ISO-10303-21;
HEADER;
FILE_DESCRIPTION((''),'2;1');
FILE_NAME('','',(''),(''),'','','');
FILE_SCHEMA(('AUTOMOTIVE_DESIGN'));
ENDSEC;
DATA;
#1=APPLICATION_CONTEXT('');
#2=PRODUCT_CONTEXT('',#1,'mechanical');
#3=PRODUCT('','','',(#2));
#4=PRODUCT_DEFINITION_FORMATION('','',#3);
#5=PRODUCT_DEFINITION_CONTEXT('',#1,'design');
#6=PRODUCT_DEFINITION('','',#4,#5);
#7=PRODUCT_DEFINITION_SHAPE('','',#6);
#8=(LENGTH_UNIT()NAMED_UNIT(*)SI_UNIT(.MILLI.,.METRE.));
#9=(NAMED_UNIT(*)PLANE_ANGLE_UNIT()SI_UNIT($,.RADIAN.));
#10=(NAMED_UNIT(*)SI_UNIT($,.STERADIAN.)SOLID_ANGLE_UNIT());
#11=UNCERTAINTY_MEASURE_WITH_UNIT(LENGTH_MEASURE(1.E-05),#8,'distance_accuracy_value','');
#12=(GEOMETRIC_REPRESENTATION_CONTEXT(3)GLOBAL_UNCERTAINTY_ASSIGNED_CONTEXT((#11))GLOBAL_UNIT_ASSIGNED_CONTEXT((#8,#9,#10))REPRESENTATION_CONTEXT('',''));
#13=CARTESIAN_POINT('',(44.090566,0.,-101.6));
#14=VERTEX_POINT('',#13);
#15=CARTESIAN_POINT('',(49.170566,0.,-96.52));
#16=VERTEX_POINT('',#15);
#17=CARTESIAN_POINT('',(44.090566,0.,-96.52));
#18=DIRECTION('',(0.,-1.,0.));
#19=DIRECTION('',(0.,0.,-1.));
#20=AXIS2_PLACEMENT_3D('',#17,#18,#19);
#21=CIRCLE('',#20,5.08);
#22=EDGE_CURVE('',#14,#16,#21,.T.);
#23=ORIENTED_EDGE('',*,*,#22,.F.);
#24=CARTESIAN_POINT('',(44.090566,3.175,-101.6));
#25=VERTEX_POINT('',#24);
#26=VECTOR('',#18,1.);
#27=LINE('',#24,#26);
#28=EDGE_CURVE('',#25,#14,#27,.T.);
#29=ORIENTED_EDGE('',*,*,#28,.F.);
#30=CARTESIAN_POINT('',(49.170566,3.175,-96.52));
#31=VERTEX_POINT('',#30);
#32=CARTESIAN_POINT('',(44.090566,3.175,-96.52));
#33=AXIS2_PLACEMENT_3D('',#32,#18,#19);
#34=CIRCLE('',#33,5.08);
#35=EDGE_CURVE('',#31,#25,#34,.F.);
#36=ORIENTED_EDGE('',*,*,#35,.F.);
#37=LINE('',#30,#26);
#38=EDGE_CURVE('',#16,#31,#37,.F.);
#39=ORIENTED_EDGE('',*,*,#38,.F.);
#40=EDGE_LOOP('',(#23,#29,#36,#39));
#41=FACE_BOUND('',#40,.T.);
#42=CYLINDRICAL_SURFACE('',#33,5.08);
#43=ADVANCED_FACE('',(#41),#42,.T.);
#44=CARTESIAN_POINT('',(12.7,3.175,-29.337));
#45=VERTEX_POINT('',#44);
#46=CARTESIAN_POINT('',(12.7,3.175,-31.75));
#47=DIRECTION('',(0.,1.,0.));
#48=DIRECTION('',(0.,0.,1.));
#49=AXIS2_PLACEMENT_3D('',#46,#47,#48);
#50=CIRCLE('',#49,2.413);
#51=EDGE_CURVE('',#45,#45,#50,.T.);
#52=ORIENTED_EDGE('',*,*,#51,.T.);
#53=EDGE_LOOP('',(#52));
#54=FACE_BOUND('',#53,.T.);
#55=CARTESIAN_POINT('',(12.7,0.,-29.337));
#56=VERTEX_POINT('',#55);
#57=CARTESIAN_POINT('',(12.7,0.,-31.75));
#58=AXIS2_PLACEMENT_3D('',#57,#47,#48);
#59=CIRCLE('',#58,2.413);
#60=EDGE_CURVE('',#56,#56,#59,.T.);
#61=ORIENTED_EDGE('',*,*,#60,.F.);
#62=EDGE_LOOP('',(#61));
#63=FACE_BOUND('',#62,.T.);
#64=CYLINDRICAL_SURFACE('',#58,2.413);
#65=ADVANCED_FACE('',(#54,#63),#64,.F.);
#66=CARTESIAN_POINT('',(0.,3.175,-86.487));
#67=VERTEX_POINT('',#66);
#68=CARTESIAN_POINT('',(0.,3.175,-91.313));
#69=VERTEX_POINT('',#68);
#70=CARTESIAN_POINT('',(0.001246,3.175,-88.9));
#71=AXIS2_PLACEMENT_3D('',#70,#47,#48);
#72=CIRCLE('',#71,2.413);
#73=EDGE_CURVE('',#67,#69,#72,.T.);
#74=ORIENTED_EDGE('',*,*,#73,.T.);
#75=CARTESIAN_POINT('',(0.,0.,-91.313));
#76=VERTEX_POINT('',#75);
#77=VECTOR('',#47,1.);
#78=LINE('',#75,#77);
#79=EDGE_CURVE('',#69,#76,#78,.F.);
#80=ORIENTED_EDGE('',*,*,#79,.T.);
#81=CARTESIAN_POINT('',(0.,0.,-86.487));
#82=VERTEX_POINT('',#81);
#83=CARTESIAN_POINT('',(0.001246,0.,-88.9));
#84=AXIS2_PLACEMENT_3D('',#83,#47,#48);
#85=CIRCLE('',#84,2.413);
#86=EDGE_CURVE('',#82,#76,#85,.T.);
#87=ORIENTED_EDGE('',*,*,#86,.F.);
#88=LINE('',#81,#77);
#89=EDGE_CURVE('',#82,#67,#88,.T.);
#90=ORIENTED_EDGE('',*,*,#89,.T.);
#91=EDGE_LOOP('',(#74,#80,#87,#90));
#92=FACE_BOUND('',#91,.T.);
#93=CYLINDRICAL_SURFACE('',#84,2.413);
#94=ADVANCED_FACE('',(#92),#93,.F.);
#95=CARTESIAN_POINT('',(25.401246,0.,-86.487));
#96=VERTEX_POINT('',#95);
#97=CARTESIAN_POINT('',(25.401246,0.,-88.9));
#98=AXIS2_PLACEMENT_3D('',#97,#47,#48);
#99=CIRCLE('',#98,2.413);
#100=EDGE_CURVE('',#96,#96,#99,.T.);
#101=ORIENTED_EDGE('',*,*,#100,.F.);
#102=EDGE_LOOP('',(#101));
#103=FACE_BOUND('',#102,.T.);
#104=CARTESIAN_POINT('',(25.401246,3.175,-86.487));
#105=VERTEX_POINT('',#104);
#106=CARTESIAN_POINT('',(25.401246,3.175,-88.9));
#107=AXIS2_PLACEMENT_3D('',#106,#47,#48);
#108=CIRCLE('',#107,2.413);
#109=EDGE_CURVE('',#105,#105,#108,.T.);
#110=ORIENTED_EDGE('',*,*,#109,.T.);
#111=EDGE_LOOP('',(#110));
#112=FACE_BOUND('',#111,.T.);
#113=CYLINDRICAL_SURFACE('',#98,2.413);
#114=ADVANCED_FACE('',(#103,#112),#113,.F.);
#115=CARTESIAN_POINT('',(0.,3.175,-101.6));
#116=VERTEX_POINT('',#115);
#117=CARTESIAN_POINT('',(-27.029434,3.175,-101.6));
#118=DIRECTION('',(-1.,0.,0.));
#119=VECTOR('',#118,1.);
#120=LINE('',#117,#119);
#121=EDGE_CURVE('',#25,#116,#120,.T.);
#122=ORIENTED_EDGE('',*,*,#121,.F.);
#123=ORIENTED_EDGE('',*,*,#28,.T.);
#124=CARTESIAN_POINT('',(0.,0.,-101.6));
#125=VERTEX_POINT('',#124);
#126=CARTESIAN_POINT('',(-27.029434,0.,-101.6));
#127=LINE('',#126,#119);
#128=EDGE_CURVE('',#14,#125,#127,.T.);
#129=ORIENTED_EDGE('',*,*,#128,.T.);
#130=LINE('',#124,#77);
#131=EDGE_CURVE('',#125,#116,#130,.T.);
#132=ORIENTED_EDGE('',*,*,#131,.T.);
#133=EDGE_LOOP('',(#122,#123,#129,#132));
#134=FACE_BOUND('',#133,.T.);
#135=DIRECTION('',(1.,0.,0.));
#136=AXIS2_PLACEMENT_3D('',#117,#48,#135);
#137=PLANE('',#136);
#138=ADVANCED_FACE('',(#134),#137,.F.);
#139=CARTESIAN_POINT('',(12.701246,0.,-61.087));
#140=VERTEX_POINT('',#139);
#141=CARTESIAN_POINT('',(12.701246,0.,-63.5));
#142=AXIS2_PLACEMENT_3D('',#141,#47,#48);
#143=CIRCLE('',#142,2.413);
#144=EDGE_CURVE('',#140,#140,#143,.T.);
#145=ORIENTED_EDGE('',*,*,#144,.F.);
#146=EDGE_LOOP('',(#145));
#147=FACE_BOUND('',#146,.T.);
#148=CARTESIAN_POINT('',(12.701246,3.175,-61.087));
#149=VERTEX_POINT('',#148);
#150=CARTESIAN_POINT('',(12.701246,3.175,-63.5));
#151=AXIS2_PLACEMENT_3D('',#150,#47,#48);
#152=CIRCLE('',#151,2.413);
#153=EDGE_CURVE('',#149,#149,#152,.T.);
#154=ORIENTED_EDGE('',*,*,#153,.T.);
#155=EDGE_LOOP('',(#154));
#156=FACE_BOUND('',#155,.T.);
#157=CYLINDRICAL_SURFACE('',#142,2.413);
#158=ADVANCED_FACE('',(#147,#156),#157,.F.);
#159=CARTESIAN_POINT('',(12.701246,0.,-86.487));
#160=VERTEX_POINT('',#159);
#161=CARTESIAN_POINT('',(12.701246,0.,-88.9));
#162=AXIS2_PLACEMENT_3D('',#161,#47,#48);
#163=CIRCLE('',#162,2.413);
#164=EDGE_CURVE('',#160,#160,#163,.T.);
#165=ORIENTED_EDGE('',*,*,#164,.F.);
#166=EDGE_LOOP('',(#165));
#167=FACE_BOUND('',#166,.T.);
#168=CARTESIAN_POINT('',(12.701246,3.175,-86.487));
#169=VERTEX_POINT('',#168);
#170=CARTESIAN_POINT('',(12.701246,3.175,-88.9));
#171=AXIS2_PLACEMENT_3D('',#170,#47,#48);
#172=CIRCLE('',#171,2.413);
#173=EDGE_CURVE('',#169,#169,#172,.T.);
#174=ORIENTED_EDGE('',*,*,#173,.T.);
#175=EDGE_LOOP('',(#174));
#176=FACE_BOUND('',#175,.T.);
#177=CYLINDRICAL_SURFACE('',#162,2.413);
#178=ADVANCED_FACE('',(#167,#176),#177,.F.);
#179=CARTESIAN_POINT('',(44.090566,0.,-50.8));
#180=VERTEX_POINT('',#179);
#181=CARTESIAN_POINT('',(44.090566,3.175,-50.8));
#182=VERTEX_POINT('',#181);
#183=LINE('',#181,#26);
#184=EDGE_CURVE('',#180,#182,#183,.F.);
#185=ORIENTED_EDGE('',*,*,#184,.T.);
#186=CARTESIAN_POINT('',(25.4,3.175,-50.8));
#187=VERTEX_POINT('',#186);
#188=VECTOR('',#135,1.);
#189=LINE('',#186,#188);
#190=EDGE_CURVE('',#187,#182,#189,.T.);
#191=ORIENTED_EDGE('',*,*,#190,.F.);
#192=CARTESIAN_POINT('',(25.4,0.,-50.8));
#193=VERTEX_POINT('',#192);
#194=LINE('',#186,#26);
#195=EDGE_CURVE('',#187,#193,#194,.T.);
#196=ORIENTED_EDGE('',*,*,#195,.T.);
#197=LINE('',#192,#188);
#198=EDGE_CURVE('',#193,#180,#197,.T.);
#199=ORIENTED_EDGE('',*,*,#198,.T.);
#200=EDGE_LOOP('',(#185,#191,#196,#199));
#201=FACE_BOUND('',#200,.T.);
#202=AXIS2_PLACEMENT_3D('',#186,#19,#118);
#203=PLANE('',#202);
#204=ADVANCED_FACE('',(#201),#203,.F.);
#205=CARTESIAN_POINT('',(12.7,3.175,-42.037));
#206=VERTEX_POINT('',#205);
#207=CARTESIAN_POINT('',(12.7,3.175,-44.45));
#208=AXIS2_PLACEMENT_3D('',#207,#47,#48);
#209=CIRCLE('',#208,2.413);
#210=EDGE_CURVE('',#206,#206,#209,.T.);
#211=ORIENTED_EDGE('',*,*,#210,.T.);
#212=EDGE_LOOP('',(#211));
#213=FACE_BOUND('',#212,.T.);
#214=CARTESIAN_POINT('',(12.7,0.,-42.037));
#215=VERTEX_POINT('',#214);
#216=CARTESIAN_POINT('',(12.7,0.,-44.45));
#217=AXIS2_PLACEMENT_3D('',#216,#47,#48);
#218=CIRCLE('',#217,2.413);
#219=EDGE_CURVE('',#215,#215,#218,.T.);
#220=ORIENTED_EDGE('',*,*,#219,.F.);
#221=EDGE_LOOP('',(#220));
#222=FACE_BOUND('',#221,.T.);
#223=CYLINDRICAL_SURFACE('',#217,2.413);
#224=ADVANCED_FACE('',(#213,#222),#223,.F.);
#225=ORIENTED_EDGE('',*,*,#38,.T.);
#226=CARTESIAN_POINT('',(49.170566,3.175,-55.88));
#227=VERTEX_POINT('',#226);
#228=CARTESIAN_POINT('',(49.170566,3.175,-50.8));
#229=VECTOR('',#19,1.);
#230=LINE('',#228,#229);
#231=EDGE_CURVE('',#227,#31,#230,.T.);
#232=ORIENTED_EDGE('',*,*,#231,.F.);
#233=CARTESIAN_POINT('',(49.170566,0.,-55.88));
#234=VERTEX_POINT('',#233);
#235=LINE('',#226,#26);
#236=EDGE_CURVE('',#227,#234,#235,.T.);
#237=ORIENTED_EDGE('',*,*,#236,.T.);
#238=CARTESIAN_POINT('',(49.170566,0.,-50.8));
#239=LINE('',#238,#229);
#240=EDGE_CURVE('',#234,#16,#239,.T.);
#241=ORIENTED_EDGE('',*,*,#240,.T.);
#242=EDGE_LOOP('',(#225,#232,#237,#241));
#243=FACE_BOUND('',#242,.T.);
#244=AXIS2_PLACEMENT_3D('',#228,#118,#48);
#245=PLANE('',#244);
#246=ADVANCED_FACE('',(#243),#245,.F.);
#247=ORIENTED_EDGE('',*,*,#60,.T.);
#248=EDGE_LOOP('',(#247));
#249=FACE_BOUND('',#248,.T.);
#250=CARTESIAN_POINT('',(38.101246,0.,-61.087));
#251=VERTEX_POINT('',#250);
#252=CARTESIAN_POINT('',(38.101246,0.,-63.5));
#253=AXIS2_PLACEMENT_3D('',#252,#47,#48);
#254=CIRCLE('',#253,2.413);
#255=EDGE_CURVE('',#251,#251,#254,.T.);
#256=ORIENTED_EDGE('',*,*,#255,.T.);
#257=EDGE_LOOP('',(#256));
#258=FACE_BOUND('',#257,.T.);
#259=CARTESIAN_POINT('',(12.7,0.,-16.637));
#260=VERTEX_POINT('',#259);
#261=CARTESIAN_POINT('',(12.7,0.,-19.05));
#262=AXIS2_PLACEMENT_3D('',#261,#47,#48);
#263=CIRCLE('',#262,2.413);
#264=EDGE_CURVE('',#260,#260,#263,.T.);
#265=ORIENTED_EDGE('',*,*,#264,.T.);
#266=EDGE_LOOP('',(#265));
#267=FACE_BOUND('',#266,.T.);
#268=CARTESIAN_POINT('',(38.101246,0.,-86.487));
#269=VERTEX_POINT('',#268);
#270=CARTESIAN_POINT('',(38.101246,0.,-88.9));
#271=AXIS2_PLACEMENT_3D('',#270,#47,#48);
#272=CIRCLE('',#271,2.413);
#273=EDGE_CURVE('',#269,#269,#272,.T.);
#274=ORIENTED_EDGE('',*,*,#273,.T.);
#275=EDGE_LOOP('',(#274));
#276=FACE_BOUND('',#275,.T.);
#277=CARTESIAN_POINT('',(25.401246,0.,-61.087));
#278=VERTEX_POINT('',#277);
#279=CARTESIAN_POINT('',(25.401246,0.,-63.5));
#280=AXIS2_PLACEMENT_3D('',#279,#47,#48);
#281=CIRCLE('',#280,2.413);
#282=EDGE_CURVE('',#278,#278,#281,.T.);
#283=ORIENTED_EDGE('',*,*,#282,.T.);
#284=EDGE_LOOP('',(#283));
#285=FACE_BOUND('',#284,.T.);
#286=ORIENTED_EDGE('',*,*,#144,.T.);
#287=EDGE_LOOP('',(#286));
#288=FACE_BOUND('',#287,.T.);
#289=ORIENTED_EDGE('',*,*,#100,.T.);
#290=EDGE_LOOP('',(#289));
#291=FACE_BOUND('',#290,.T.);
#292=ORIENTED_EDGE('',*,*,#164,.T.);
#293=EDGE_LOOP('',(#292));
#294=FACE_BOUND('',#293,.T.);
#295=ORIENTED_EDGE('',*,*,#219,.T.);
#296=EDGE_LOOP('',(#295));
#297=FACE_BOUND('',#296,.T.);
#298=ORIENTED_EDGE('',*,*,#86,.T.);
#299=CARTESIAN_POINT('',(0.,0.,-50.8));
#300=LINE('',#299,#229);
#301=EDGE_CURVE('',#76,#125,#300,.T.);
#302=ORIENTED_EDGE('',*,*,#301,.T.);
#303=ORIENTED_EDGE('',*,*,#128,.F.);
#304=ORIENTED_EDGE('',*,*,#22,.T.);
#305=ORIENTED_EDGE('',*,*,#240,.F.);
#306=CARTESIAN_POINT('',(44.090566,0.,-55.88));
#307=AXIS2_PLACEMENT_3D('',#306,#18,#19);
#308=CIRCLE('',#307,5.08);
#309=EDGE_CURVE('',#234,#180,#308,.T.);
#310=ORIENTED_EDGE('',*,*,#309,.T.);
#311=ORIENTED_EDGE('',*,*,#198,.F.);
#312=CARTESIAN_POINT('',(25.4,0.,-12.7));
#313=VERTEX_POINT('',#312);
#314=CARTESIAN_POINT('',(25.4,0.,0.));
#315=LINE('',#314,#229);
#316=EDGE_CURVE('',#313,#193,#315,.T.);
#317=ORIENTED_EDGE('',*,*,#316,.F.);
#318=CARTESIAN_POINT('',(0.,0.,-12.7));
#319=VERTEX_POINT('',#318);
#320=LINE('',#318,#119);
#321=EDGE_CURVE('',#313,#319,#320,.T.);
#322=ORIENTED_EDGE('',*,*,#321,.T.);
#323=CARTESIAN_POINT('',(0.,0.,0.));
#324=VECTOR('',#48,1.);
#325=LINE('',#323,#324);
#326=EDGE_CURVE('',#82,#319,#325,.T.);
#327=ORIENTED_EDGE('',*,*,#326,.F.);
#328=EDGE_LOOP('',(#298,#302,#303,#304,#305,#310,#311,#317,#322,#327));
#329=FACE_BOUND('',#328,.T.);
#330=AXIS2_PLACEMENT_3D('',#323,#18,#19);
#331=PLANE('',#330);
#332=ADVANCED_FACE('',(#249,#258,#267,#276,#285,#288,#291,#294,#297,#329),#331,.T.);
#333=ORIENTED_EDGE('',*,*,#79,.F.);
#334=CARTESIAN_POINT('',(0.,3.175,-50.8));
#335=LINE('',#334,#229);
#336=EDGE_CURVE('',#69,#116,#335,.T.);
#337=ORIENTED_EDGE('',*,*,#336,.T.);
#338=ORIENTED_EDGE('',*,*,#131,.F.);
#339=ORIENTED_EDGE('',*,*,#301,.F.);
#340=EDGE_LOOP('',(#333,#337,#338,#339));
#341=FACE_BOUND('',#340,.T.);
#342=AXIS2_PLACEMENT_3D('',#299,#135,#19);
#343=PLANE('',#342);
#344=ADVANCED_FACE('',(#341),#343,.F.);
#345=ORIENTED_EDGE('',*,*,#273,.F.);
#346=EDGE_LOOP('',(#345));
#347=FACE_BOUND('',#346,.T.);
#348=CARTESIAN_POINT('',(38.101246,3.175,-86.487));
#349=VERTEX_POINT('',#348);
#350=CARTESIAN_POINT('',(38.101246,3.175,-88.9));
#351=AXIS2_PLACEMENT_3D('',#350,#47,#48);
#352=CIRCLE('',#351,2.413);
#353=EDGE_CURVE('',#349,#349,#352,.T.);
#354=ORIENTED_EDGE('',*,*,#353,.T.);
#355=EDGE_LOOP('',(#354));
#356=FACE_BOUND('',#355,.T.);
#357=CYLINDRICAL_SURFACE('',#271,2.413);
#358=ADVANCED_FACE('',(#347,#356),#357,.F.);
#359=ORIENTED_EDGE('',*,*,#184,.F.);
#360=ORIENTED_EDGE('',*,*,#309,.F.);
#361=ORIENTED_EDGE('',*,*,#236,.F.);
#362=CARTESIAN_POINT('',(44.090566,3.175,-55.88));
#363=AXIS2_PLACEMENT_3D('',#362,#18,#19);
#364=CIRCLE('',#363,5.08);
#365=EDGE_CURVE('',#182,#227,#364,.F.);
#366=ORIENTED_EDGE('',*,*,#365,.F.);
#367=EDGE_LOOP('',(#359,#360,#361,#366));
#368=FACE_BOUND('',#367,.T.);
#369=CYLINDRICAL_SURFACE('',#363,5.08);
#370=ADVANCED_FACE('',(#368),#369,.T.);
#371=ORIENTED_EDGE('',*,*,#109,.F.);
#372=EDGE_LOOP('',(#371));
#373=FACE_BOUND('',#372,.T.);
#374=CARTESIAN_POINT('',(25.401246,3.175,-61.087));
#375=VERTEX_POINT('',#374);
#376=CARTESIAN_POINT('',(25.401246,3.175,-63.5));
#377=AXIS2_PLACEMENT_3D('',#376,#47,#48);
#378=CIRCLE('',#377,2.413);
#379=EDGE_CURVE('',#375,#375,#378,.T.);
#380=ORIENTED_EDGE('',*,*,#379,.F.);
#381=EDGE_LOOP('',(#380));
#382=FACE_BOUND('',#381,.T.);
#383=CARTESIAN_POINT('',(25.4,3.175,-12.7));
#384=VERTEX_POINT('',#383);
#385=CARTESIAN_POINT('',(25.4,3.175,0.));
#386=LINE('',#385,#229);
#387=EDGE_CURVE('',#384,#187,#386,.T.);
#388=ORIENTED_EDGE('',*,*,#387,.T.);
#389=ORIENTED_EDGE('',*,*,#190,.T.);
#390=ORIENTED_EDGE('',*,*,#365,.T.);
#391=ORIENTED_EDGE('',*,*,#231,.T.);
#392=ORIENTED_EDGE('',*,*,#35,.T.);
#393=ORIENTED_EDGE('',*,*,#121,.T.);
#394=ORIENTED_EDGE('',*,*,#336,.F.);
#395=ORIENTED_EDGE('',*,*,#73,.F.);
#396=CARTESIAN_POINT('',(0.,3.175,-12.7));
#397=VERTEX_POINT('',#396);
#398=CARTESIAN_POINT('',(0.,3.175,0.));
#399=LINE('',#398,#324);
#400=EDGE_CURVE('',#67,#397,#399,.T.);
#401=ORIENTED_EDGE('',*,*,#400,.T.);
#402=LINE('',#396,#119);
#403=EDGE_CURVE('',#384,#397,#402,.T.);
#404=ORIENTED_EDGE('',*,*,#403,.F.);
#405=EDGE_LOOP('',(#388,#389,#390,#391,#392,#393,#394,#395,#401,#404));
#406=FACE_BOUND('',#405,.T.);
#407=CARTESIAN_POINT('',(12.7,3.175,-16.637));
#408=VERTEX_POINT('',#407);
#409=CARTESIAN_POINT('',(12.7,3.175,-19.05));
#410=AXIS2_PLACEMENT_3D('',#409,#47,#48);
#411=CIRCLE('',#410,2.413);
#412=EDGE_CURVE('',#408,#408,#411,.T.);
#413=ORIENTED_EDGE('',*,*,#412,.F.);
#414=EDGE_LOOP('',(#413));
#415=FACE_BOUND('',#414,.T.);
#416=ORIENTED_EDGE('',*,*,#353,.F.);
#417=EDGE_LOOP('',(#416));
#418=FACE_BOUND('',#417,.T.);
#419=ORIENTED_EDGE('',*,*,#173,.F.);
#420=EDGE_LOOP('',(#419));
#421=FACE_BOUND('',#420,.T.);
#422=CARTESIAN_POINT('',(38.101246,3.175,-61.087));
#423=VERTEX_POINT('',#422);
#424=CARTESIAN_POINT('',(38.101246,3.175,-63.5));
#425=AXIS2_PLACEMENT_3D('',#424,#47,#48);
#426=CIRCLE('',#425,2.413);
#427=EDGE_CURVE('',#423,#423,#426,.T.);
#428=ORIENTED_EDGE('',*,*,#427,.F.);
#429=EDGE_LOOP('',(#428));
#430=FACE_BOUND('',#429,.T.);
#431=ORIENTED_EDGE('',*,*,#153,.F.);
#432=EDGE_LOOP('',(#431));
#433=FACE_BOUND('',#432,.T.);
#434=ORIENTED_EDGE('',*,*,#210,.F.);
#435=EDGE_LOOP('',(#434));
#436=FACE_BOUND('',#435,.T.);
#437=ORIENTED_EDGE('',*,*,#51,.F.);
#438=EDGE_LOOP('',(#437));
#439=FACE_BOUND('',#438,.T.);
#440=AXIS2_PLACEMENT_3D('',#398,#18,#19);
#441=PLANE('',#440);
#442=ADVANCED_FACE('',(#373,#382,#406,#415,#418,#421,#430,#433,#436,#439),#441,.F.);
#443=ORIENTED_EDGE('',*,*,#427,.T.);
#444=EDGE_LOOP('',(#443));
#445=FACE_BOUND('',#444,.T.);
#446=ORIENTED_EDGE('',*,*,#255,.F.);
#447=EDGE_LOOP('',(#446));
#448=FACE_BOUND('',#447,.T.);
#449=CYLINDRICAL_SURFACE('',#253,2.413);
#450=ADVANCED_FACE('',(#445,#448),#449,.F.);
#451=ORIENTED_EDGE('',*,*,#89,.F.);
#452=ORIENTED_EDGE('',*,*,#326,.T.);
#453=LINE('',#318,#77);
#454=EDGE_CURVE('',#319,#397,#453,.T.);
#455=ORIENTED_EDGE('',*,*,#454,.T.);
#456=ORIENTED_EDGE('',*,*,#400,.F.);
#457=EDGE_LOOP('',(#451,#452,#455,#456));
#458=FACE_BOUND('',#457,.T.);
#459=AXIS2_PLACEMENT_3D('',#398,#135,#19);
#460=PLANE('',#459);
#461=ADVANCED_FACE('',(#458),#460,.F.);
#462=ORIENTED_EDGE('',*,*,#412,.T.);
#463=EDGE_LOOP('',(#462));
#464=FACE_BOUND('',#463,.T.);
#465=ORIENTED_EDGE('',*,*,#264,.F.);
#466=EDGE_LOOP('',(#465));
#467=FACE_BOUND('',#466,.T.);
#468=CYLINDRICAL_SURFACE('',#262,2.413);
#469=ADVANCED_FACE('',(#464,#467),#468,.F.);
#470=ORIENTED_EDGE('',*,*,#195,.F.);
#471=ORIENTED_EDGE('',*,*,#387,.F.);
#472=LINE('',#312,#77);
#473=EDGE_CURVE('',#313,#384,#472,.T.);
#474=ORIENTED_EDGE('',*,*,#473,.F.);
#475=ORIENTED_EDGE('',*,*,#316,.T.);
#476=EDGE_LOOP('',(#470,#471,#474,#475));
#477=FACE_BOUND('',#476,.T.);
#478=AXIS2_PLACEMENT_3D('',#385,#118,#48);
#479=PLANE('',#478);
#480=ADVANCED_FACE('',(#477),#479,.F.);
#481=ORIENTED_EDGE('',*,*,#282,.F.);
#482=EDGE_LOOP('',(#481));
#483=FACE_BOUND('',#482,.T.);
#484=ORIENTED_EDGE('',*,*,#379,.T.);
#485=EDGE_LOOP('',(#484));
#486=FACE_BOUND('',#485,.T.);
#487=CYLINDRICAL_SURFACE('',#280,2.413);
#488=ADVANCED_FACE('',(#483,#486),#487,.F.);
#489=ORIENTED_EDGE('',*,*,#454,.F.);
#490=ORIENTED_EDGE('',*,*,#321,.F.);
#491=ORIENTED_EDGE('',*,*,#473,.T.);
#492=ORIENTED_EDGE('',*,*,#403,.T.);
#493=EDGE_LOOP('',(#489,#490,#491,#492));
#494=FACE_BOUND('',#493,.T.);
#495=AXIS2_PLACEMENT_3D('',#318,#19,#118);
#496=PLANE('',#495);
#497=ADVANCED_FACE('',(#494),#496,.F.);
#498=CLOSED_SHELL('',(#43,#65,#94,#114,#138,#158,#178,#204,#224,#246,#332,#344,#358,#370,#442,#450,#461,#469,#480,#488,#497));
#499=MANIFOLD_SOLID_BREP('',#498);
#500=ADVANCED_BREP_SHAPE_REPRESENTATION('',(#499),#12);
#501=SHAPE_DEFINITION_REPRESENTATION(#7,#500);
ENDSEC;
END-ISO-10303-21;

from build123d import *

# Parameters (mm, degrees)
BOSS_EXTRUDE1_DEPTH = 3.175
FILLET1_R           = 5.08
SKETCH2_R           = 2.413
SKETCH2_W           = 25.4
SKETCH2_H           = 12.7
CUT_EXTRUDE1_DEPTH  = 113.917603541
SKETCH3_W           = 27.94
SKETCH3_H           = 50.8
CUT_EXTRUDE2_DEPTH  = 113.917603541


with BuildPart() as part:
    # Sketch1 → Boss-Extrude1 (new body)
    with BuildSketch(Plane(origin=(0, 0, 0), x_dir=(1, 0, 0), z_dir=(0, 1, 0))):
        Polygon((25.4, 50.8), (49.170566038, 50.8), (49.170566038, 101.6), (-27.029433962, 101.6), (-27.029433962, 50.8), (0, 50.8), (0, 0), (25.4, 0), align=None)
    extrude(amount=BOSS_EXTRUDE1_DEPTH)

    # Fillet1
    fillet1_edges = [part.edges().sort_by_distance(p)[0] for p in [
        (-27.029433962, 1.5875, -50.8),
        (-27.029433962, 1.5875, -101.6),
        (49.170566038, 1.5875, -101.6),
        (49.170566038, 1.5875, -50.8),
        (25.4, 1.5875, 0),
        (0, 1.5875, 0),
    ]]
    fillet(fillet1_edges, radius=FILLET1_R)

    # Sketch2 → Cut-Extrude1 (cut, through all)
    with BuildSketch(Plane(origin=(0, 3.175, 0), x_dir=(1, 0, 0), z_dir=(0, 1, 0))):
        with Locations(Location((12.7, 19.05, 0), (0, 0, 270))):
            Circle(SKETCH2_R)
        with Locations(Location((12.7, 31.75, 0), (0, 0, 270))):
            Circle(SKETCH2_R)
        with Locations(Location((12.7, 44.45, 0), (0, 0, 270))):
            Circle(SKETCH2_R)
        with Locations(Location((-12.698753962, 88.9, 0), (0, 0, 270))):
            Circle(SKETCH2_R)
        with Locations(Location((0.001246038, 88.9, 0), (0, 0, 270))):
            Circle(SKETCH2_R)
        with Locations(Location((12.701246038, 88.9, 0), (0, 0, 270))):
            Circle(SKETCH2_R)
        with Locations(Location((25.401246038, 88.9, 0), (0, 0, 270))):
            Circle(SKETCH2_R)
        with Locations(Location((38.101246038, 88.9, 0), (0, 0, 270))):
            Circle(SKETCH2_R)
        with Locations(Location((12.701246038, 63.5, 0), (0, 0, 270))):
            Circle(SKETCH2_R)
        with Locations(Location((25.401246038, 63.5, 0), (0, 0, 270))):
            Circle(SKETCH2_R)
        with Locations(Location((38.101246038, 63.5, 0), (0, 0, 270))):
            Circle(SKETCH2_R)
        with Locations((12.7, 6.35)):
            Rectangle(SKETCH2_W, SKETCH2_H)
    extrude(amount=-CUT_EXTRUDE1_DEPTH, mode=Mode.SUBTRACT)

    # Sketch3 → Cut-Extrude2 (cut, through all)
    with BuildSketch(Plane(origin=(0, 3.175, 0), x_dir=(1, 0, 0), z_dir=(0, 1, 0))):
        with Locations((-13.97, 76.2)):
            Rectangle(SKETCH3_W, SKETCH3_H)
    extrude(amount=-CUT_EXTRUDE2_DEPTH, mode=Mode.SUBTRACT)


solid = part.part
